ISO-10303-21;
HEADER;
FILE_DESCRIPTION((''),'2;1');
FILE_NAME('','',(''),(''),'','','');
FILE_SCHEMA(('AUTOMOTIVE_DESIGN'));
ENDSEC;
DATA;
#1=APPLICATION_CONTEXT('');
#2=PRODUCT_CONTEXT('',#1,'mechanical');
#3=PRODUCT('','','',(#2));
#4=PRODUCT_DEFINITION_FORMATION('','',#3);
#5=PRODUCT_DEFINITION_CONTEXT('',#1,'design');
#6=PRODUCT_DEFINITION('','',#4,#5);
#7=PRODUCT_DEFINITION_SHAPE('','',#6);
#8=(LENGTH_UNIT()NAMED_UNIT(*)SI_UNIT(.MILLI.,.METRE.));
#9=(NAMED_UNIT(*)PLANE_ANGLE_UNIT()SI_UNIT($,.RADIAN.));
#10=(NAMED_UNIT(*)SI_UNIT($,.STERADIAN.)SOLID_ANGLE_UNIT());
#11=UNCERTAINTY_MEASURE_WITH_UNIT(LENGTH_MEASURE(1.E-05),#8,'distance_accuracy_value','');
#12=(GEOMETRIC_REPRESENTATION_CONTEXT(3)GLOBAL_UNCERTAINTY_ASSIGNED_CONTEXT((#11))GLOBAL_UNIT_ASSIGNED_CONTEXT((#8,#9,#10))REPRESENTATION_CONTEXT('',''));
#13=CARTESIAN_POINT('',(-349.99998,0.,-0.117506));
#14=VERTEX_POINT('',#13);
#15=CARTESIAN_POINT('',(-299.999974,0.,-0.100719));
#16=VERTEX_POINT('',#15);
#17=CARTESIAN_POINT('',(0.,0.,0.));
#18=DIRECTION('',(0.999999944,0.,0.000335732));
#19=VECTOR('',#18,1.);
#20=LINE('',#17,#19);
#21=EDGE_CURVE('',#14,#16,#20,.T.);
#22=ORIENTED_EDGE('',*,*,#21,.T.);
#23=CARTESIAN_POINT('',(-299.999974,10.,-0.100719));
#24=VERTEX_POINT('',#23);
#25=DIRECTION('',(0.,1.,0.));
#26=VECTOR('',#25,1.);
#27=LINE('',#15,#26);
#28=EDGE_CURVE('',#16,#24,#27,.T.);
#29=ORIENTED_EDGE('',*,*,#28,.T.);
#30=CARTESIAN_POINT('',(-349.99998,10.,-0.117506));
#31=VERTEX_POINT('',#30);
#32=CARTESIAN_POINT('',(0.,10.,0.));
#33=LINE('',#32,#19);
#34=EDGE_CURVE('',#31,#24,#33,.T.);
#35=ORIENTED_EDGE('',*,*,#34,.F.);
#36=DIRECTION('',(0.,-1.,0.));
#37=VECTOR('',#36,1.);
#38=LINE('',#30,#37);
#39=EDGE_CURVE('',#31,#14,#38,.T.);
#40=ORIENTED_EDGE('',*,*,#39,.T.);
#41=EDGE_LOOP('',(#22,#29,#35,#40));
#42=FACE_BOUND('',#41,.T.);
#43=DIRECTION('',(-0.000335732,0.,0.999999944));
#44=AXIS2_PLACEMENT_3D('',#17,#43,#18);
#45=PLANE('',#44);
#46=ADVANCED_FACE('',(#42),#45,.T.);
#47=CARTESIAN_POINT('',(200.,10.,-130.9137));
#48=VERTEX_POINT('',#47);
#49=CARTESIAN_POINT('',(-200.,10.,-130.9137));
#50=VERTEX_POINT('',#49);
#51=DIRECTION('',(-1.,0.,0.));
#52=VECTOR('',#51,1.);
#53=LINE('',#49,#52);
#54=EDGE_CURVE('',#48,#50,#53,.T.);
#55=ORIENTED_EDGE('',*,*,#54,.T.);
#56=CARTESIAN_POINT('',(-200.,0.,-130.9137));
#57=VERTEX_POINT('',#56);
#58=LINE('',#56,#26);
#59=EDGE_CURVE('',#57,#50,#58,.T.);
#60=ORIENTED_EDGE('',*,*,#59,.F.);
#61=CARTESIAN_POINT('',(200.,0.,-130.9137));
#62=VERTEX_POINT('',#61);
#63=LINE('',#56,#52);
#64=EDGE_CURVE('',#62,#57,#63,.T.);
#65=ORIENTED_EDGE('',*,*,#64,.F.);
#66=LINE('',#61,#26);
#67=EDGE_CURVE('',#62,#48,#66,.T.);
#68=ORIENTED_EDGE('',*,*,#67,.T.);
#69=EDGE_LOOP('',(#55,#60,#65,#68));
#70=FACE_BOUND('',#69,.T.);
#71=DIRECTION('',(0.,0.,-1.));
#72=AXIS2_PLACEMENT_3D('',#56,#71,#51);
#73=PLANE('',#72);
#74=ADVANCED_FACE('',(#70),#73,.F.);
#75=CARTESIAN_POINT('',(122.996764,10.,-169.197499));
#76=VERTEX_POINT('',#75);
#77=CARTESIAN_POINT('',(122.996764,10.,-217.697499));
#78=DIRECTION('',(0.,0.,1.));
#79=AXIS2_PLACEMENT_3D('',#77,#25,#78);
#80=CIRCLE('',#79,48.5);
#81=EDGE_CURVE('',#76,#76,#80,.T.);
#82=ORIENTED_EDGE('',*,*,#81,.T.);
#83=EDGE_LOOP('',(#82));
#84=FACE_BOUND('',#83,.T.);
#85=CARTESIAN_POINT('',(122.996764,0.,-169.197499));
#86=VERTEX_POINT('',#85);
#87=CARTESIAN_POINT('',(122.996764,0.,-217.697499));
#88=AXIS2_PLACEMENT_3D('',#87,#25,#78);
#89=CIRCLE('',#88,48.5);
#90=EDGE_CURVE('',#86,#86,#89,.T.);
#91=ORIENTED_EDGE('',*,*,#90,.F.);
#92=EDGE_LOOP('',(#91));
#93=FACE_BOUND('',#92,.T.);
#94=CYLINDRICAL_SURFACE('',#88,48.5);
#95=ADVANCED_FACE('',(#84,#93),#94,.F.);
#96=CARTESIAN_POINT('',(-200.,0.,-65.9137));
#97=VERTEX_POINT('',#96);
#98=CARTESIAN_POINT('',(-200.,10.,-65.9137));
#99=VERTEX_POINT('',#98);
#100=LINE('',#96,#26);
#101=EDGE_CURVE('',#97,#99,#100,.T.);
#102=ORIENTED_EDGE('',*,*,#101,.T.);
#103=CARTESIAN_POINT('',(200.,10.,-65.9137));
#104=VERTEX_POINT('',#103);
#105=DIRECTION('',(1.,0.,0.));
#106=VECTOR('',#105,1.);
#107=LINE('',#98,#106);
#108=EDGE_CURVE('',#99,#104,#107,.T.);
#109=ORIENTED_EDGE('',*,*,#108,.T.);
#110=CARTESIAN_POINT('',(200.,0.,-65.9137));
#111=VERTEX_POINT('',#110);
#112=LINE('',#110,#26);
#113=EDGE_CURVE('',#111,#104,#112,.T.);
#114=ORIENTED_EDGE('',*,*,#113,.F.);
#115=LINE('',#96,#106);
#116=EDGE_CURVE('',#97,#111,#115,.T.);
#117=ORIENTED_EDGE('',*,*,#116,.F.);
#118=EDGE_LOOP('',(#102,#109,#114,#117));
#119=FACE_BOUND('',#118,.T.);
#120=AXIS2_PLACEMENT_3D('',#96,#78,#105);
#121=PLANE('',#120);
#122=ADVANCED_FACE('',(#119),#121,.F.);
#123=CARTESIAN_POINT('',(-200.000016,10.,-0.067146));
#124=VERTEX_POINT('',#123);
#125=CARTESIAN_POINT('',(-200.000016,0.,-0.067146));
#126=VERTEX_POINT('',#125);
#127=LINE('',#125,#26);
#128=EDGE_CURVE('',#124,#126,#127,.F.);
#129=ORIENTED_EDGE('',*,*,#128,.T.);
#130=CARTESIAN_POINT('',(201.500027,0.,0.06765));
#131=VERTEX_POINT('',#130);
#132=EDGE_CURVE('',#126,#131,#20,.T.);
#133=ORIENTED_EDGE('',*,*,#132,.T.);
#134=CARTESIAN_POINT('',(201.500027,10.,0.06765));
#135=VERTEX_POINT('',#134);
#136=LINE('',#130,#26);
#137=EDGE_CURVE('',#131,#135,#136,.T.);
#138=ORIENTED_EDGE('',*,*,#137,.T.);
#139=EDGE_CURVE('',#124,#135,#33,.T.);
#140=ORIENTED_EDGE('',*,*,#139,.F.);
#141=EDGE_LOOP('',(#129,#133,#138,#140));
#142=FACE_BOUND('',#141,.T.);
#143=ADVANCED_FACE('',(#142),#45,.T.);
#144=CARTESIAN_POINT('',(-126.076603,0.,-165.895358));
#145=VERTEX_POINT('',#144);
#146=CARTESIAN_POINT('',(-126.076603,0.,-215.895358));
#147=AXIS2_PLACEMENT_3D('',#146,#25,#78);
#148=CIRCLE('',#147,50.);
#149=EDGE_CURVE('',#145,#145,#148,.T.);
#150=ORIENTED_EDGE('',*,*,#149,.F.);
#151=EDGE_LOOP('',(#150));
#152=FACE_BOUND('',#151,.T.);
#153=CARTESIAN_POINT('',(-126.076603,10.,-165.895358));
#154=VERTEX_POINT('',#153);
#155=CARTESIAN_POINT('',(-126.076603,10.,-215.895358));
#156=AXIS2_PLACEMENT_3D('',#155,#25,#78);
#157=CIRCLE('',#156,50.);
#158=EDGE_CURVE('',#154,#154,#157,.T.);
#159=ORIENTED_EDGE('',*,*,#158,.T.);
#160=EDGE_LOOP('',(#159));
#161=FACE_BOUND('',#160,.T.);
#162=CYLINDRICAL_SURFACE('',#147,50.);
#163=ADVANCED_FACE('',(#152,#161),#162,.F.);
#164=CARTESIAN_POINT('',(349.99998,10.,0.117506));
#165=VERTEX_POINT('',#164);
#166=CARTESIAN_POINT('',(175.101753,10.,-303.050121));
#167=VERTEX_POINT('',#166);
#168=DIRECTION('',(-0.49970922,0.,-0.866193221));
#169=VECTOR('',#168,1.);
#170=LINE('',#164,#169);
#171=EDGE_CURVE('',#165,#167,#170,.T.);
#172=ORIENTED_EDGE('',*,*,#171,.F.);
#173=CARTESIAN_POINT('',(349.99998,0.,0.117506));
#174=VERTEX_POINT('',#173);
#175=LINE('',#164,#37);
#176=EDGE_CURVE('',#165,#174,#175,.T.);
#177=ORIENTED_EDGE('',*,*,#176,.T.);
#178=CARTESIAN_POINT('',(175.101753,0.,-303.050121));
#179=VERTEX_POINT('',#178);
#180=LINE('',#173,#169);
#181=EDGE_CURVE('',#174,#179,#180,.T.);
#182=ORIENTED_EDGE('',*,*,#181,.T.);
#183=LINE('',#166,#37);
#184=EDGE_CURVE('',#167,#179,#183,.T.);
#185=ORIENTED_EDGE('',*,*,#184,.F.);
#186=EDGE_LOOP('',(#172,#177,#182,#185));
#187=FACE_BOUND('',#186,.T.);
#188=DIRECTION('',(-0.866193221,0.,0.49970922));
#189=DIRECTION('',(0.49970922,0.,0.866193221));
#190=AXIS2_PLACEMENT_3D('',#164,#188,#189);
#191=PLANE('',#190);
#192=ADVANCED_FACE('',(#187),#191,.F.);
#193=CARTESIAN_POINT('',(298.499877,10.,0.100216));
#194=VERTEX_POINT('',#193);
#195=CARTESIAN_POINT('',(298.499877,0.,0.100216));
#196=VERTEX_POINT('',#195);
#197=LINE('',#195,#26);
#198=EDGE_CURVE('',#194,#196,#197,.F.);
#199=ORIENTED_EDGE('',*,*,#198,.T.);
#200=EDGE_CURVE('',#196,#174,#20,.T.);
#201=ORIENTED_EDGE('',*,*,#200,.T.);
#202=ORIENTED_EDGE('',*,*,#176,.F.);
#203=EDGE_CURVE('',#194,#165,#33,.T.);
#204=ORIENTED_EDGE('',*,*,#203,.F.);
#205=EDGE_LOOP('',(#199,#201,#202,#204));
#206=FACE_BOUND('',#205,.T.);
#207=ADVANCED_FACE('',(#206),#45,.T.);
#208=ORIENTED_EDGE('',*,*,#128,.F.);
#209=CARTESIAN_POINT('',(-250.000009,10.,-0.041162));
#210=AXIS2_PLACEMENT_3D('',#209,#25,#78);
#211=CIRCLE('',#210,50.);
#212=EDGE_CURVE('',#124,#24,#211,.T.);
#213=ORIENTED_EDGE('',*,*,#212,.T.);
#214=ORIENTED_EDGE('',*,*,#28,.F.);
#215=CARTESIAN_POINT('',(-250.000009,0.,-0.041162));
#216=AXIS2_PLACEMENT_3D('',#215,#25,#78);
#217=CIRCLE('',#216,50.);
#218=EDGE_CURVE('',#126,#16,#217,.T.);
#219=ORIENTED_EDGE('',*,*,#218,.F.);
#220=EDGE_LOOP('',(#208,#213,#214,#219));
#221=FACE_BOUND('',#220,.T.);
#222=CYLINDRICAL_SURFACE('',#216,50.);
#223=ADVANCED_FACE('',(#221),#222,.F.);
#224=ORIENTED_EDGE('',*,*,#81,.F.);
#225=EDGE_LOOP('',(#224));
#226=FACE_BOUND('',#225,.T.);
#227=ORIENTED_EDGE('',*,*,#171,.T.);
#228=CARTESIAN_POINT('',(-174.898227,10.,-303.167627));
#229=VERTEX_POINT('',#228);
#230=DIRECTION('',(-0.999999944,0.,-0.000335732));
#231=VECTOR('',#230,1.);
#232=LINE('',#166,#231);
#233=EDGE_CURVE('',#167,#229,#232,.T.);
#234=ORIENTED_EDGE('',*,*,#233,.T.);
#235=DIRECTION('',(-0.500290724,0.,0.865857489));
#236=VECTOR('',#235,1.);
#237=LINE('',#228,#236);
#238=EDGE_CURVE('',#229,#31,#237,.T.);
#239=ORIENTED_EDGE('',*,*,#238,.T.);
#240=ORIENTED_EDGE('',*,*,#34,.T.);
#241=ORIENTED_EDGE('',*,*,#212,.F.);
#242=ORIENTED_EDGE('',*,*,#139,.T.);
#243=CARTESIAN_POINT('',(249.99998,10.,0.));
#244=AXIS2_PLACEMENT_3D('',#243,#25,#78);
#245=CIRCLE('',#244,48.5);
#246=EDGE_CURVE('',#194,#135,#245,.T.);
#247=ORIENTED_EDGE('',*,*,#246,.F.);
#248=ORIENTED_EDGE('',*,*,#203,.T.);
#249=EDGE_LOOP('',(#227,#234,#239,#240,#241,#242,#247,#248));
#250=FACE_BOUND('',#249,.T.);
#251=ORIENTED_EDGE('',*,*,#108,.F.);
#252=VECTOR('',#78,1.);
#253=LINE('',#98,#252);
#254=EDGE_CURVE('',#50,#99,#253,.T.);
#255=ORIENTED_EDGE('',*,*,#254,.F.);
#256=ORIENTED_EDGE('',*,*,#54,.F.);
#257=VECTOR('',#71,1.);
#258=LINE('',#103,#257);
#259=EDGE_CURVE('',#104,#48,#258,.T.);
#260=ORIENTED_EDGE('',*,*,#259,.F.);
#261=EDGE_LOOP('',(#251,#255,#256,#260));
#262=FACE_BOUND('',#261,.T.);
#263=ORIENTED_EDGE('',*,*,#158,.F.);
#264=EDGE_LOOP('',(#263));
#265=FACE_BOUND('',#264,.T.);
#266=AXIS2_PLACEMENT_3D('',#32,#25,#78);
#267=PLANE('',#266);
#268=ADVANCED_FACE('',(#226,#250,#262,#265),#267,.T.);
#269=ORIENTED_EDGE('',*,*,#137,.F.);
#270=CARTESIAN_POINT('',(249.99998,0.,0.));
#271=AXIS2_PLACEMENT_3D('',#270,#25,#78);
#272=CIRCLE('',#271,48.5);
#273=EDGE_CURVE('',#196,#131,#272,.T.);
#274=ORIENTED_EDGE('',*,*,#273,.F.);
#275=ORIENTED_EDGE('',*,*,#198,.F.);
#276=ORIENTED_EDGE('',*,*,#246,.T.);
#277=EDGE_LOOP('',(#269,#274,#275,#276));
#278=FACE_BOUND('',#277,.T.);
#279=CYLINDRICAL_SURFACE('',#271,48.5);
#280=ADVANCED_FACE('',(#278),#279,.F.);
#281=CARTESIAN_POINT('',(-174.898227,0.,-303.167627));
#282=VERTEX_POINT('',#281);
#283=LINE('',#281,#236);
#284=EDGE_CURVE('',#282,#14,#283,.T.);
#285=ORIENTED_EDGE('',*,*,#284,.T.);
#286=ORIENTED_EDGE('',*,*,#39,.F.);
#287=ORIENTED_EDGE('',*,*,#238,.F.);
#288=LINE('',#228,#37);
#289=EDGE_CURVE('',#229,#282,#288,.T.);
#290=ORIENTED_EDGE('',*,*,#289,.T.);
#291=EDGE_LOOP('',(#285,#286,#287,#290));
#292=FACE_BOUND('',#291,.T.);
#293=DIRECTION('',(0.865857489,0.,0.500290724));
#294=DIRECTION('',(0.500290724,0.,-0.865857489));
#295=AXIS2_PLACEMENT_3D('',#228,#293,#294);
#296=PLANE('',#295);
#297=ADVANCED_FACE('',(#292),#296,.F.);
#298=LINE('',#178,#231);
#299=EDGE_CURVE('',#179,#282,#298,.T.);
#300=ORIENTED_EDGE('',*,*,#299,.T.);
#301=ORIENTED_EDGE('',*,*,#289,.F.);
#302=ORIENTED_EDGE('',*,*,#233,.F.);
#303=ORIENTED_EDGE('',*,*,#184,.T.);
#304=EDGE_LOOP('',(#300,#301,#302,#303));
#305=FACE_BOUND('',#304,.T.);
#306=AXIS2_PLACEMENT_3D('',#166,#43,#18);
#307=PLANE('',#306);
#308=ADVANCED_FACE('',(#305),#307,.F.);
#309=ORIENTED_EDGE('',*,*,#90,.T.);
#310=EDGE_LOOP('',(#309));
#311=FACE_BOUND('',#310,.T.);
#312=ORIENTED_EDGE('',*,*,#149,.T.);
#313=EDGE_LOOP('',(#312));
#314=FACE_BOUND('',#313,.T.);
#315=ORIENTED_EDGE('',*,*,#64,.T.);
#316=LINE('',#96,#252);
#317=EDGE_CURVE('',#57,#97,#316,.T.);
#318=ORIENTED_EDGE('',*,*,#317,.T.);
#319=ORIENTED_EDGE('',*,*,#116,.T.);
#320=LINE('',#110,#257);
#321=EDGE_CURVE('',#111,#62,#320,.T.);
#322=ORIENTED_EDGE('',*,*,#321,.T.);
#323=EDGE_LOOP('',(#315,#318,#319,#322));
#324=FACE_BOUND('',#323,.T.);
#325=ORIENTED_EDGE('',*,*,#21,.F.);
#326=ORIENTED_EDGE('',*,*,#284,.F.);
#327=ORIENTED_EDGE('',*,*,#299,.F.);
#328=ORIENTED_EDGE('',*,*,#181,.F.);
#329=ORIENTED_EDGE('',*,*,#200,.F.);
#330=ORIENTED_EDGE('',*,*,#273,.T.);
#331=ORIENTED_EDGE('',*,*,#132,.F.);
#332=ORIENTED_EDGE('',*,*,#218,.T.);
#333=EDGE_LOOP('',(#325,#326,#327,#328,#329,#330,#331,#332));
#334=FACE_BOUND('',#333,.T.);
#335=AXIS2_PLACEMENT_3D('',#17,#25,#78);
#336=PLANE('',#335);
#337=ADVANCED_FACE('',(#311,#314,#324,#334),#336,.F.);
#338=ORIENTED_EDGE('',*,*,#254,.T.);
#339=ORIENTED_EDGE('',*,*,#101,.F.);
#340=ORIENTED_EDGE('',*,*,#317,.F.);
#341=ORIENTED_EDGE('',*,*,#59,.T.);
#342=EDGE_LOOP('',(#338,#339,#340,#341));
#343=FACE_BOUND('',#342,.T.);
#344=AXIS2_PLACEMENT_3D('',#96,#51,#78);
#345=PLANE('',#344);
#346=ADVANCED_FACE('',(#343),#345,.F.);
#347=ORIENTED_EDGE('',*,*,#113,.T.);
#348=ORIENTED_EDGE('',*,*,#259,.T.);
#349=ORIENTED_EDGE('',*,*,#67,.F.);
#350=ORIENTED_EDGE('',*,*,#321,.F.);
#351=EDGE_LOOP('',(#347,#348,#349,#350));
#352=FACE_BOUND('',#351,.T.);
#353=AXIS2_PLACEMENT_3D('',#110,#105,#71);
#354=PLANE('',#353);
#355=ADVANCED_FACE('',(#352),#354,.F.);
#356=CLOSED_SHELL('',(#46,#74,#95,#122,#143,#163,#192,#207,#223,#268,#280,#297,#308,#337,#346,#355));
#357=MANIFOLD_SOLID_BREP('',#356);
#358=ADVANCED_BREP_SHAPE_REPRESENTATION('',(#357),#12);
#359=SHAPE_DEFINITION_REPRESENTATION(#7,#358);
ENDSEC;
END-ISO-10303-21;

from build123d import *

# Parameters (mm, degrees)
BOSS_EXTRUDE1_DEPTH = 10
SKETCH3_R           = 48.5
SKETCH3_R_2         = 50
SKETCH3_W           = 400
SKETCH3_H           = 65
CUT_EXTRUDE3_DEPTH  = 10
CUT_EXTRUDE4_DEPTH  = 10


with BuildPart() as part:
    # Sketch1 → Boss-Extrude1 (new body)
    with BuildSketch(Plane(origin=(0, 0, 0), x_dir=(1, 0, 0), z_dir=(0, 1, 0))):
        Polygon((175.101753381, 303.050121206), (-174.898226894, 303.167627278), (-349.999980275, 0.117506072), (-175.101753381, -303.050121206), (174.898226894, -303.167627278), (349.999980275, -0.117506072), align=None)
    extrude(amount=BOSS_EXTRUDE1_DEPTH)

    # Sketch3 → Cut-Extrude3 (cut)
    with BuildSketch(Plane(origin=(0, 10, 0), x_dir=(1, 0, 0), z_dir=(0, 1, 0))):
        with Locations(Location((249.999980275, 0, 0), (0, 0, 270))):
            Circle(SKETCH3_R)
        with Locations(Location((-250.000009417, 0.041161845, 0), (0, 0, 270))):
            Circle(SKETCH3_R_2)
        with Locations(Location((-126.076603066, 215.895357646, 0), (0, 0, 270))):
            Circle(SKETCH3_R_2)
        with Locations(Location((122.996764387, 217.697498973, 0), (0, 0, 270))):
            Circle(SKETCH3_R)
        with Locations((0, 98.413699872)):
            Rectangle(SKETCH3_W, SKETCH3_H)
    extrude(amount=-CUT_EXTRUDE3_DEPTH, mode=Mode.SUBTRACT)

    # Sketch2 → Cut-Extrude4 (cut)
    with BuildSketch(Plane(origin=(0, 10, 0), x_dir=(1, 0, 0), z_dir=(0, 1, 0))):
        Polygon((-175.101753381, -303.050121206), (174.898226894, -303.167627278), (349.999980275, -0.117506072), (-349.999980275, 0.117506072), align=None)
    extrude(amount=-CUT_EXTRUDE4_DEPTH, mode=Mode.SUBTRACT)


solid = part.part
